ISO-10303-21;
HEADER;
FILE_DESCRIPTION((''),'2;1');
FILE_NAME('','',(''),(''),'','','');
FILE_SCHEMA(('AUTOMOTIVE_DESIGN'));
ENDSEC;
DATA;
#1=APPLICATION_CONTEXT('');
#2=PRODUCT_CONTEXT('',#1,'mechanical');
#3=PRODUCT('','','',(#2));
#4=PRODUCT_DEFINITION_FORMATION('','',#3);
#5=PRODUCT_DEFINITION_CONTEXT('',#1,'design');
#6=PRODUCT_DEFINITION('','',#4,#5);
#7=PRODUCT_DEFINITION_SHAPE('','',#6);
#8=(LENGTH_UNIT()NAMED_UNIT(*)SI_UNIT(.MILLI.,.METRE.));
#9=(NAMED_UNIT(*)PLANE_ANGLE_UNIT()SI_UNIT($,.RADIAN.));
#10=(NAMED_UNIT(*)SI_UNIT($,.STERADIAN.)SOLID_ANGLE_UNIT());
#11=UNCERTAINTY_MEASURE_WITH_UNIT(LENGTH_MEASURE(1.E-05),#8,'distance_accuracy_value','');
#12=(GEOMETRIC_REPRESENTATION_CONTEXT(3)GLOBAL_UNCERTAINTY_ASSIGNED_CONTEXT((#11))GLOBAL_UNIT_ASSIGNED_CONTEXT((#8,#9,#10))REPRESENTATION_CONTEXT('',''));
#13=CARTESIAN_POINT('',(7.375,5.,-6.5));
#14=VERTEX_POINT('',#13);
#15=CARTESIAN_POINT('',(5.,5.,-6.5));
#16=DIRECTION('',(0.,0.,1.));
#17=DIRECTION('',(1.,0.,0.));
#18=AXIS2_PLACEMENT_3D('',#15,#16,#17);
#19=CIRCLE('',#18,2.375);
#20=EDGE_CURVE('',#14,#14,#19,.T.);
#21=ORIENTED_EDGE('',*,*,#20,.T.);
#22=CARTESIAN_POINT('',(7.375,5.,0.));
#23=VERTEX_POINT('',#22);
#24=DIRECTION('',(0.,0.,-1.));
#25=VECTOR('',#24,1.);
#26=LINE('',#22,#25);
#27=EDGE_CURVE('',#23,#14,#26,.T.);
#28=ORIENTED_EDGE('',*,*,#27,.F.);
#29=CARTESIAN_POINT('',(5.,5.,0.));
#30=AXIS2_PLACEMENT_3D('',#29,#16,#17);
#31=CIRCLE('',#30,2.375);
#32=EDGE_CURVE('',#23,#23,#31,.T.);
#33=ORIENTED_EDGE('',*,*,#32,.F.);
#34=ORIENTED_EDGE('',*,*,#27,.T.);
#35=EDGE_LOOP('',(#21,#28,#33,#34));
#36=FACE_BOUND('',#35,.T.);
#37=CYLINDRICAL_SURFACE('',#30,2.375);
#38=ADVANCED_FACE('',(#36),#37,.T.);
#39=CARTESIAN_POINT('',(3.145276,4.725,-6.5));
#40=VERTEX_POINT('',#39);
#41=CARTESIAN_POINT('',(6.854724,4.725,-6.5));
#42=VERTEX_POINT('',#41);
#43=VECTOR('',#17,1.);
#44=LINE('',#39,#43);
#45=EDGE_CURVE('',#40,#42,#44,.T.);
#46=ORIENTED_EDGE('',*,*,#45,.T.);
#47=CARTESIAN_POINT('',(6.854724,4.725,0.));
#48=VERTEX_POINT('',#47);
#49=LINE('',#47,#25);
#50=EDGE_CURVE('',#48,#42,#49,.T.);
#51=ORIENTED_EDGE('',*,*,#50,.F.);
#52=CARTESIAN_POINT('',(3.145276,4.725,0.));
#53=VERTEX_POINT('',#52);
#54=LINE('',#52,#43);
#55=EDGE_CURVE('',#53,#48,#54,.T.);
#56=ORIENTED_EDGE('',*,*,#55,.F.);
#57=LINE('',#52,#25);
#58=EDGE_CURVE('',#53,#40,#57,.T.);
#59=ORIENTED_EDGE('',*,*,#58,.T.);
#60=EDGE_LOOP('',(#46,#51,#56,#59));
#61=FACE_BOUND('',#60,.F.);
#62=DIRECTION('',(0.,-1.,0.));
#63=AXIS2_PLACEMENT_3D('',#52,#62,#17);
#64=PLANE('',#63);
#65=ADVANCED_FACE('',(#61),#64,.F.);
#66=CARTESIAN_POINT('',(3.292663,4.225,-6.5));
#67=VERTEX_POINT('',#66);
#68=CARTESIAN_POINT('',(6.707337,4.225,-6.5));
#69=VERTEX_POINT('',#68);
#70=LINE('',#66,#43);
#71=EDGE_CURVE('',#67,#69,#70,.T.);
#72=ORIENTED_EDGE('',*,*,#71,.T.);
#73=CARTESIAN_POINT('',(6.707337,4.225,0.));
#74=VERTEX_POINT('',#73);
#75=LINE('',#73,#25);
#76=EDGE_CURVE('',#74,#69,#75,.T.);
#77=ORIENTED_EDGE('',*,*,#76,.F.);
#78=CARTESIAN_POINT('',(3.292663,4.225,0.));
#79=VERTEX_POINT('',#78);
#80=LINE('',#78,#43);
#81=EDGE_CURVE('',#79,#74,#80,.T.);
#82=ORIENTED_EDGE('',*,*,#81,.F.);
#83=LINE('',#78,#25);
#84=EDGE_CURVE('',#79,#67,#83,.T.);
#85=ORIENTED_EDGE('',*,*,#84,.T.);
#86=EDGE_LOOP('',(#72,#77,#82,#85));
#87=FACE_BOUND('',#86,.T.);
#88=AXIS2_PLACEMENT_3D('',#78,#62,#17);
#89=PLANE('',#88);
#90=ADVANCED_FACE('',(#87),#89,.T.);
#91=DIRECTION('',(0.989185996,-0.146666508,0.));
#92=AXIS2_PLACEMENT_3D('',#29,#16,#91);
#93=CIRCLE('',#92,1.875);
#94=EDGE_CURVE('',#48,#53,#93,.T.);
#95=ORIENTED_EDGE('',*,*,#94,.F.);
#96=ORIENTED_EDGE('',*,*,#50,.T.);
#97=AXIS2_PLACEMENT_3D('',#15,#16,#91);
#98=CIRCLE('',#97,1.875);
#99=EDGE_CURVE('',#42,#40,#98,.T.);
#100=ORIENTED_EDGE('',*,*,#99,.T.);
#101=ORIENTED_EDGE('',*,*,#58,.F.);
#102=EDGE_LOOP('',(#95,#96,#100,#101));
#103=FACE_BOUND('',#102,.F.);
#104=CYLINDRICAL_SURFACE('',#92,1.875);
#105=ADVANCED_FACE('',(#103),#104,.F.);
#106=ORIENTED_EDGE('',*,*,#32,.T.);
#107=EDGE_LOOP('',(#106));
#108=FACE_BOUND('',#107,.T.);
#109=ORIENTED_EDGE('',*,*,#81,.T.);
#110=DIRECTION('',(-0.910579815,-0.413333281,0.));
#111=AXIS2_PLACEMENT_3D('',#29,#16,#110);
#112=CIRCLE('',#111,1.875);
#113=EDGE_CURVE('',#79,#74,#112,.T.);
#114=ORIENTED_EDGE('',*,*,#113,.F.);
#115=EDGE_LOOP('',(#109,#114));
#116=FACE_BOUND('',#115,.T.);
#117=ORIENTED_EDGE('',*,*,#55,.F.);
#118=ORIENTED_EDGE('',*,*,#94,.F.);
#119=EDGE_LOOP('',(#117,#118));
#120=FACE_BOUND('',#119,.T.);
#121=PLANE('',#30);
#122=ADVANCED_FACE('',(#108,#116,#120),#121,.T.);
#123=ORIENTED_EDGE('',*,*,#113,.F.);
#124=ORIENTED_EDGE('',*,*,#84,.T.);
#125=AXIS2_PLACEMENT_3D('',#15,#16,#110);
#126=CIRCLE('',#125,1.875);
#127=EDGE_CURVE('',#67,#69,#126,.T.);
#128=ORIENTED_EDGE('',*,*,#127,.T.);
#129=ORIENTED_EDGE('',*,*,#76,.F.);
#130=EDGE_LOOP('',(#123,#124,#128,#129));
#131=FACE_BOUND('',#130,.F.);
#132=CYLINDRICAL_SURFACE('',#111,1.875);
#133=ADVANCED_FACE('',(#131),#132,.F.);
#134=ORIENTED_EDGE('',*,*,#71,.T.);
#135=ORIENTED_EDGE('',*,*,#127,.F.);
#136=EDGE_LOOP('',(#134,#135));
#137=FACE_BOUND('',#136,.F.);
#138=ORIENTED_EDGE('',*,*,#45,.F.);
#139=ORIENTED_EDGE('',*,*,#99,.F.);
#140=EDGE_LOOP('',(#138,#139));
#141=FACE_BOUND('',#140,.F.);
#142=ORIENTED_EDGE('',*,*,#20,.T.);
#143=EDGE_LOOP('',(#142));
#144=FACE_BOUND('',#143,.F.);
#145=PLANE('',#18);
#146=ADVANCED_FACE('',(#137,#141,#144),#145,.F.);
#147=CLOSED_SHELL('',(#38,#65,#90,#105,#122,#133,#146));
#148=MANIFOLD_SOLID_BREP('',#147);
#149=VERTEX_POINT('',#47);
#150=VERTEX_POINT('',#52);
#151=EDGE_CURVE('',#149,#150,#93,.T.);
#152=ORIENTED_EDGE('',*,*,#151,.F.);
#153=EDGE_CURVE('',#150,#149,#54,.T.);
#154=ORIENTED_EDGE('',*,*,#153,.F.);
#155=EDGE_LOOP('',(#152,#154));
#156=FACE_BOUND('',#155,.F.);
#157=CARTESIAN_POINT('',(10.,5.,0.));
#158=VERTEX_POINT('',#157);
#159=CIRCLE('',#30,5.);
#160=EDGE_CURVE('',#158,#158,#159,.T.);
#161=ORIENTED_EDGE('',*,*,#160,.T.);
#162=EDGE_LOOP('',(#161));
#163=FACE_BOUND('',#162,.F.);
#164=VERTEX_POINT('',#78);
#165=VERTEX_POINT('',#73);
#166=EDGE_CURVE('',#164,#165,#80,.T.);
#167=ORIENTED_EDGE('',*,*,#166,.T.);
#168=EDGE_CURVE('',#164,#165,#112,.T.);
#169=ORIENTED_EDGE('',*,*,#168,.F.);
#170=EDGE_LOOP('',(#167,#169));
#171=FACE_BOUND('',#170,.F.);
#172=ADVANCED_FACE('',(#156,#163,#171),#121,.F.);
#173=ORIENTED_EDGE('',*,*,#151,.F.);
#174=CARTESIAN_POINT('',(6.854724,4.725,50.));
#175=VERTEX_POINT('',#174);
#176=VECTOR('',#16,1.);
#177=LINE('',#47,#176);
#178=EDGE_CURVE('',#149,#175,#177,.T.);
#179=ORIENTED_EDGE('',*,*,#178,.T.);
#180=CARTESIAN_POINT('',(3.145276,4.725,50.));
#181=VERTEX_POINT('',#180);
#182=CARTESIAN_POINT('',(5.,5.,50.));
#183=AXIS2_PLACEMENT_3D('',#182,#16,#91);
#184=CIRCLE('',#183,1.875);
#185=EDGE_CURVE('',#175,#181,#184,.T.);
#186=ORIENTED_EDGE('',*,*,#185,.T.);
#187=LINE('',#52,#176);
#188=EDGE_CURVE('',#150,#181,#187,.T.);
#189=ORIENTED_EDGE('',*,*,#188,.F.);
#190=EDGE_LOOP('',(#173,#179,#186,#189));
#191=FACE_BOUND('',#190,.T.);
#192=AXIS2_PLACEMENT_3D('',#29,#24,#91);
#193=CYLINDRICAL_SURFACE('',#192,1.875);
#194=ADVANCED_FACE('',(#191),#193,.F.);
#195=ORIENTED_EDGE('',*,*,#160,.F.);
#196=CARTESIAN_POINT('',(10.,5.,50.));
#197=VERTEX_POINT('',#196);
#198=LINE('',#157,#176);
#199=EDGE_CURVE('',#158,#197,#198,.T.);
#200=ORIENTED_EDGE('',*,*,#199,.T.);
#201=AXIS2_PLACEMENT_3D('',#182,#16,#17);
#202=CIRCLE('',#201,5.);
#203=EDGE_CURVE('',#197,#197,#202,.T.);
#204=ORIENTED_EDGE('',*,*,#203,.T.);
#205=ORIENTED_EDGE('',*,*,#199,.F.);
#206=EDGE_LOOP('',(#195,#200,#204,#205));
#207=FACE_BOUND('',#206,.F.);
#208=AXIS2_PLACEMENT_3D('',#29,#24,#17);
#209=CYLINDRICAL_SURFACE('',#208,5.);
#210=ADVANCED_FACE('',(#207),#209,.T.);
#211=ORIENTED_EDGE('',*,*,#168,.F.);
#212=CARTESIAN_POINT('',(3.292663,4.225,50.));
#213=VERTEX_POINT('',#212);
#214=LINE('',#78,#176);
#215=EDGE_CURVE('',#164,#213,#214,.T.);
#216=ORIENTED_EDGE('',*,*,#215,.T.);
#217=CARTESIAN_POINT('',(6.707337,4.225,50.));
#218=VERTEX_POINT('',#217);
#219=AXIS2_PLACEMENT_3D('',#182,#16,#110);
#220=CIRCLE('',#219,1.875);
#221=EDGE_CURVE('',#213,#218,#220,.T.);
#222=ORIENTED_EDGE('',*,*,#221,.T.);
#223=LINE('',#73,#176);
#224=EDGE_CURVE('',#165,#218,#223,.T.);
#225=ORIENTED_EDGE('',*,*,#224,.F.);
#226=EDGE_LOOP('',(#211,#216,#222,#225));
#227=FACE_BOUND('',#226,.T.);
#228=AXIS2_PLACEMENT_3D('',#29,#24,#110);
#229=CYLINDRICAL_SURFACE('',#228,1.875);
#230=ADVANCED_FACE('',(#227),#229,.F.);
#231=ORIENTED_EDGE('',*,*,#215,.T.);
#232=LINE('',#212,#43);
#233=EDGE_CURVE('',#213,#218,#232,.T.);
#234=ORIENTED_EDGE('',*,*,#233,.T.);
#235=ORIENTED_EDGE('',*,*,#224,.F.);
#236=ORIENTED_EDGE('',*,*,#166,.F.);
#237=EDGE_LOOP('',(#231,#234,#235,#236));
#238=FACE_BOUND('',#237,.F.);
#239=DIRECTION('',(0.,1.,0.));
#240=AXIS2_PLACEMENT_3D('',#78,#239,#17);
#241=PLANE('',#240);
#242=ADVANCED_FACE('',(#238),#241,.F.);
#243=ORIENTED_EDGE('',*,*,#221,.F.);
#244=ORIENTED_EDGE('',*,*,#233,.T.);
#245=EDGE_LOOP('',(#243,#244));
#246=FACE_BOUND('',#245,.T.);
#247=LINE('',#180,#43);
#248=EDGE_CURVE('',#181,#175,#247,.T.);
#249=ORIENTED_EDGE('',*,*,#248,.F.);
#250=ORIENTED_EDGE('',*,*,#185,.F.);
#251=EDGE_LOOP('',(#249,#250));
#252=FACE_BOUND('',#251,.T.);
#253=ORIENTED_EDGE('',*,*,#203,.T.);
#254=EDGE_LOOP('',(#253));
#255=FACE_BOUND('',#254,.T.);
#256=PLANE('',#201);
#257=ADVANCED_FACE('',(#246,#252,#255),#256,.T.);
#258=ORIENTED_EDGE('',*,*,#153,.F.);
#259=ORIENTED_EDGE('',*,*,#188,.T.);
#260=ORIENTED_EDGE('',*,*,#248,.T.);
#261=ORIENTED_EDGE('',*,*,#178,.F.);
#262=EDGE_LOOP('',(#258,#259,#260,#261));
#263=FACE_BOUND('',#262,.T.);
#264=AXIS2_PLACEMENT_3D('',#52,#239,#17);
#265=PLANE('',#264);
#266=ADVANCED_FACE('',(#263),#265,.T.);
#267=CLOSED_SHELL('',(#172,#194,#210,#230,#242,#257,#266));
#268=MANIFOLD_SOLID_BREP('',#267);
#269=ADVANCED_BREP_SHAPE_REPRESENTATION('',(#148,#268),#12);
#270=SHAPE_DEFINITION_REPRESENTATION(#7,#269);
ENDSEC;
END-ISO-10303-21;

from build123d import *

# Parameters (mm, degrees)
SKETCH009_R      = 5
EXTRUDE002_DEPTH = 50
SKETCH010_R      = 2.375
EXTRUDE003_DEPTH = 6.5


with BuildPart() as extrude001:
    # Sketch009 → Extrude002 (new body)
    with BuildSketch(Plane.XY):
        with Locations((5, 5)):
            Circle(SKETCH009_R)
        with BuildLine():
            Line((3.145276, 4.725), (6.854724, 4.725))
            ThreePointArc((6.854724, 4.725), (5, 6.875), (3.145276, 4.725))
        make_face(mode=Mode.SUBTRACT)
        with BuildLine():
            Line((3.292663, 4.225), (6.707337, 4.225))
            ThreePointArc((3.292663, 4.225), (5, 3.125), (6.707337, 4.225))
        make_face(mode=Mode.SUBTRACT)
    extrude(amount=EXTRUDE002_DEPTH)


with BuildPart() as extrude002:
    # Sketch010 → Extrude003 (new body)
    with BuildSketch(Plane.XY):
        with Locations((5, 5)):
            Circle(SKETCH010_R)
        with BuildLine():
            Line((3.145276, 4.725), (6.854724, 4.725))
            ThreePointArc((6.854724, 4.725), (5, 6.875), (3.145276, 4.725))
        make_face(mode=Mode.SUBTRACT)
        with BuildLine():
            Line((3.292663, 4.225), (6.707337, 4.225))
            ThreePointArc((3.292663, 4.225), (5, 3.125), (6.707337, 4.225))
        make_face(mode=Mode.SUBTRACT)
    extrude(amount=-EXTRUDE003_DEPTH)


solid = Compound([extrude001.part, extrude002.part])
